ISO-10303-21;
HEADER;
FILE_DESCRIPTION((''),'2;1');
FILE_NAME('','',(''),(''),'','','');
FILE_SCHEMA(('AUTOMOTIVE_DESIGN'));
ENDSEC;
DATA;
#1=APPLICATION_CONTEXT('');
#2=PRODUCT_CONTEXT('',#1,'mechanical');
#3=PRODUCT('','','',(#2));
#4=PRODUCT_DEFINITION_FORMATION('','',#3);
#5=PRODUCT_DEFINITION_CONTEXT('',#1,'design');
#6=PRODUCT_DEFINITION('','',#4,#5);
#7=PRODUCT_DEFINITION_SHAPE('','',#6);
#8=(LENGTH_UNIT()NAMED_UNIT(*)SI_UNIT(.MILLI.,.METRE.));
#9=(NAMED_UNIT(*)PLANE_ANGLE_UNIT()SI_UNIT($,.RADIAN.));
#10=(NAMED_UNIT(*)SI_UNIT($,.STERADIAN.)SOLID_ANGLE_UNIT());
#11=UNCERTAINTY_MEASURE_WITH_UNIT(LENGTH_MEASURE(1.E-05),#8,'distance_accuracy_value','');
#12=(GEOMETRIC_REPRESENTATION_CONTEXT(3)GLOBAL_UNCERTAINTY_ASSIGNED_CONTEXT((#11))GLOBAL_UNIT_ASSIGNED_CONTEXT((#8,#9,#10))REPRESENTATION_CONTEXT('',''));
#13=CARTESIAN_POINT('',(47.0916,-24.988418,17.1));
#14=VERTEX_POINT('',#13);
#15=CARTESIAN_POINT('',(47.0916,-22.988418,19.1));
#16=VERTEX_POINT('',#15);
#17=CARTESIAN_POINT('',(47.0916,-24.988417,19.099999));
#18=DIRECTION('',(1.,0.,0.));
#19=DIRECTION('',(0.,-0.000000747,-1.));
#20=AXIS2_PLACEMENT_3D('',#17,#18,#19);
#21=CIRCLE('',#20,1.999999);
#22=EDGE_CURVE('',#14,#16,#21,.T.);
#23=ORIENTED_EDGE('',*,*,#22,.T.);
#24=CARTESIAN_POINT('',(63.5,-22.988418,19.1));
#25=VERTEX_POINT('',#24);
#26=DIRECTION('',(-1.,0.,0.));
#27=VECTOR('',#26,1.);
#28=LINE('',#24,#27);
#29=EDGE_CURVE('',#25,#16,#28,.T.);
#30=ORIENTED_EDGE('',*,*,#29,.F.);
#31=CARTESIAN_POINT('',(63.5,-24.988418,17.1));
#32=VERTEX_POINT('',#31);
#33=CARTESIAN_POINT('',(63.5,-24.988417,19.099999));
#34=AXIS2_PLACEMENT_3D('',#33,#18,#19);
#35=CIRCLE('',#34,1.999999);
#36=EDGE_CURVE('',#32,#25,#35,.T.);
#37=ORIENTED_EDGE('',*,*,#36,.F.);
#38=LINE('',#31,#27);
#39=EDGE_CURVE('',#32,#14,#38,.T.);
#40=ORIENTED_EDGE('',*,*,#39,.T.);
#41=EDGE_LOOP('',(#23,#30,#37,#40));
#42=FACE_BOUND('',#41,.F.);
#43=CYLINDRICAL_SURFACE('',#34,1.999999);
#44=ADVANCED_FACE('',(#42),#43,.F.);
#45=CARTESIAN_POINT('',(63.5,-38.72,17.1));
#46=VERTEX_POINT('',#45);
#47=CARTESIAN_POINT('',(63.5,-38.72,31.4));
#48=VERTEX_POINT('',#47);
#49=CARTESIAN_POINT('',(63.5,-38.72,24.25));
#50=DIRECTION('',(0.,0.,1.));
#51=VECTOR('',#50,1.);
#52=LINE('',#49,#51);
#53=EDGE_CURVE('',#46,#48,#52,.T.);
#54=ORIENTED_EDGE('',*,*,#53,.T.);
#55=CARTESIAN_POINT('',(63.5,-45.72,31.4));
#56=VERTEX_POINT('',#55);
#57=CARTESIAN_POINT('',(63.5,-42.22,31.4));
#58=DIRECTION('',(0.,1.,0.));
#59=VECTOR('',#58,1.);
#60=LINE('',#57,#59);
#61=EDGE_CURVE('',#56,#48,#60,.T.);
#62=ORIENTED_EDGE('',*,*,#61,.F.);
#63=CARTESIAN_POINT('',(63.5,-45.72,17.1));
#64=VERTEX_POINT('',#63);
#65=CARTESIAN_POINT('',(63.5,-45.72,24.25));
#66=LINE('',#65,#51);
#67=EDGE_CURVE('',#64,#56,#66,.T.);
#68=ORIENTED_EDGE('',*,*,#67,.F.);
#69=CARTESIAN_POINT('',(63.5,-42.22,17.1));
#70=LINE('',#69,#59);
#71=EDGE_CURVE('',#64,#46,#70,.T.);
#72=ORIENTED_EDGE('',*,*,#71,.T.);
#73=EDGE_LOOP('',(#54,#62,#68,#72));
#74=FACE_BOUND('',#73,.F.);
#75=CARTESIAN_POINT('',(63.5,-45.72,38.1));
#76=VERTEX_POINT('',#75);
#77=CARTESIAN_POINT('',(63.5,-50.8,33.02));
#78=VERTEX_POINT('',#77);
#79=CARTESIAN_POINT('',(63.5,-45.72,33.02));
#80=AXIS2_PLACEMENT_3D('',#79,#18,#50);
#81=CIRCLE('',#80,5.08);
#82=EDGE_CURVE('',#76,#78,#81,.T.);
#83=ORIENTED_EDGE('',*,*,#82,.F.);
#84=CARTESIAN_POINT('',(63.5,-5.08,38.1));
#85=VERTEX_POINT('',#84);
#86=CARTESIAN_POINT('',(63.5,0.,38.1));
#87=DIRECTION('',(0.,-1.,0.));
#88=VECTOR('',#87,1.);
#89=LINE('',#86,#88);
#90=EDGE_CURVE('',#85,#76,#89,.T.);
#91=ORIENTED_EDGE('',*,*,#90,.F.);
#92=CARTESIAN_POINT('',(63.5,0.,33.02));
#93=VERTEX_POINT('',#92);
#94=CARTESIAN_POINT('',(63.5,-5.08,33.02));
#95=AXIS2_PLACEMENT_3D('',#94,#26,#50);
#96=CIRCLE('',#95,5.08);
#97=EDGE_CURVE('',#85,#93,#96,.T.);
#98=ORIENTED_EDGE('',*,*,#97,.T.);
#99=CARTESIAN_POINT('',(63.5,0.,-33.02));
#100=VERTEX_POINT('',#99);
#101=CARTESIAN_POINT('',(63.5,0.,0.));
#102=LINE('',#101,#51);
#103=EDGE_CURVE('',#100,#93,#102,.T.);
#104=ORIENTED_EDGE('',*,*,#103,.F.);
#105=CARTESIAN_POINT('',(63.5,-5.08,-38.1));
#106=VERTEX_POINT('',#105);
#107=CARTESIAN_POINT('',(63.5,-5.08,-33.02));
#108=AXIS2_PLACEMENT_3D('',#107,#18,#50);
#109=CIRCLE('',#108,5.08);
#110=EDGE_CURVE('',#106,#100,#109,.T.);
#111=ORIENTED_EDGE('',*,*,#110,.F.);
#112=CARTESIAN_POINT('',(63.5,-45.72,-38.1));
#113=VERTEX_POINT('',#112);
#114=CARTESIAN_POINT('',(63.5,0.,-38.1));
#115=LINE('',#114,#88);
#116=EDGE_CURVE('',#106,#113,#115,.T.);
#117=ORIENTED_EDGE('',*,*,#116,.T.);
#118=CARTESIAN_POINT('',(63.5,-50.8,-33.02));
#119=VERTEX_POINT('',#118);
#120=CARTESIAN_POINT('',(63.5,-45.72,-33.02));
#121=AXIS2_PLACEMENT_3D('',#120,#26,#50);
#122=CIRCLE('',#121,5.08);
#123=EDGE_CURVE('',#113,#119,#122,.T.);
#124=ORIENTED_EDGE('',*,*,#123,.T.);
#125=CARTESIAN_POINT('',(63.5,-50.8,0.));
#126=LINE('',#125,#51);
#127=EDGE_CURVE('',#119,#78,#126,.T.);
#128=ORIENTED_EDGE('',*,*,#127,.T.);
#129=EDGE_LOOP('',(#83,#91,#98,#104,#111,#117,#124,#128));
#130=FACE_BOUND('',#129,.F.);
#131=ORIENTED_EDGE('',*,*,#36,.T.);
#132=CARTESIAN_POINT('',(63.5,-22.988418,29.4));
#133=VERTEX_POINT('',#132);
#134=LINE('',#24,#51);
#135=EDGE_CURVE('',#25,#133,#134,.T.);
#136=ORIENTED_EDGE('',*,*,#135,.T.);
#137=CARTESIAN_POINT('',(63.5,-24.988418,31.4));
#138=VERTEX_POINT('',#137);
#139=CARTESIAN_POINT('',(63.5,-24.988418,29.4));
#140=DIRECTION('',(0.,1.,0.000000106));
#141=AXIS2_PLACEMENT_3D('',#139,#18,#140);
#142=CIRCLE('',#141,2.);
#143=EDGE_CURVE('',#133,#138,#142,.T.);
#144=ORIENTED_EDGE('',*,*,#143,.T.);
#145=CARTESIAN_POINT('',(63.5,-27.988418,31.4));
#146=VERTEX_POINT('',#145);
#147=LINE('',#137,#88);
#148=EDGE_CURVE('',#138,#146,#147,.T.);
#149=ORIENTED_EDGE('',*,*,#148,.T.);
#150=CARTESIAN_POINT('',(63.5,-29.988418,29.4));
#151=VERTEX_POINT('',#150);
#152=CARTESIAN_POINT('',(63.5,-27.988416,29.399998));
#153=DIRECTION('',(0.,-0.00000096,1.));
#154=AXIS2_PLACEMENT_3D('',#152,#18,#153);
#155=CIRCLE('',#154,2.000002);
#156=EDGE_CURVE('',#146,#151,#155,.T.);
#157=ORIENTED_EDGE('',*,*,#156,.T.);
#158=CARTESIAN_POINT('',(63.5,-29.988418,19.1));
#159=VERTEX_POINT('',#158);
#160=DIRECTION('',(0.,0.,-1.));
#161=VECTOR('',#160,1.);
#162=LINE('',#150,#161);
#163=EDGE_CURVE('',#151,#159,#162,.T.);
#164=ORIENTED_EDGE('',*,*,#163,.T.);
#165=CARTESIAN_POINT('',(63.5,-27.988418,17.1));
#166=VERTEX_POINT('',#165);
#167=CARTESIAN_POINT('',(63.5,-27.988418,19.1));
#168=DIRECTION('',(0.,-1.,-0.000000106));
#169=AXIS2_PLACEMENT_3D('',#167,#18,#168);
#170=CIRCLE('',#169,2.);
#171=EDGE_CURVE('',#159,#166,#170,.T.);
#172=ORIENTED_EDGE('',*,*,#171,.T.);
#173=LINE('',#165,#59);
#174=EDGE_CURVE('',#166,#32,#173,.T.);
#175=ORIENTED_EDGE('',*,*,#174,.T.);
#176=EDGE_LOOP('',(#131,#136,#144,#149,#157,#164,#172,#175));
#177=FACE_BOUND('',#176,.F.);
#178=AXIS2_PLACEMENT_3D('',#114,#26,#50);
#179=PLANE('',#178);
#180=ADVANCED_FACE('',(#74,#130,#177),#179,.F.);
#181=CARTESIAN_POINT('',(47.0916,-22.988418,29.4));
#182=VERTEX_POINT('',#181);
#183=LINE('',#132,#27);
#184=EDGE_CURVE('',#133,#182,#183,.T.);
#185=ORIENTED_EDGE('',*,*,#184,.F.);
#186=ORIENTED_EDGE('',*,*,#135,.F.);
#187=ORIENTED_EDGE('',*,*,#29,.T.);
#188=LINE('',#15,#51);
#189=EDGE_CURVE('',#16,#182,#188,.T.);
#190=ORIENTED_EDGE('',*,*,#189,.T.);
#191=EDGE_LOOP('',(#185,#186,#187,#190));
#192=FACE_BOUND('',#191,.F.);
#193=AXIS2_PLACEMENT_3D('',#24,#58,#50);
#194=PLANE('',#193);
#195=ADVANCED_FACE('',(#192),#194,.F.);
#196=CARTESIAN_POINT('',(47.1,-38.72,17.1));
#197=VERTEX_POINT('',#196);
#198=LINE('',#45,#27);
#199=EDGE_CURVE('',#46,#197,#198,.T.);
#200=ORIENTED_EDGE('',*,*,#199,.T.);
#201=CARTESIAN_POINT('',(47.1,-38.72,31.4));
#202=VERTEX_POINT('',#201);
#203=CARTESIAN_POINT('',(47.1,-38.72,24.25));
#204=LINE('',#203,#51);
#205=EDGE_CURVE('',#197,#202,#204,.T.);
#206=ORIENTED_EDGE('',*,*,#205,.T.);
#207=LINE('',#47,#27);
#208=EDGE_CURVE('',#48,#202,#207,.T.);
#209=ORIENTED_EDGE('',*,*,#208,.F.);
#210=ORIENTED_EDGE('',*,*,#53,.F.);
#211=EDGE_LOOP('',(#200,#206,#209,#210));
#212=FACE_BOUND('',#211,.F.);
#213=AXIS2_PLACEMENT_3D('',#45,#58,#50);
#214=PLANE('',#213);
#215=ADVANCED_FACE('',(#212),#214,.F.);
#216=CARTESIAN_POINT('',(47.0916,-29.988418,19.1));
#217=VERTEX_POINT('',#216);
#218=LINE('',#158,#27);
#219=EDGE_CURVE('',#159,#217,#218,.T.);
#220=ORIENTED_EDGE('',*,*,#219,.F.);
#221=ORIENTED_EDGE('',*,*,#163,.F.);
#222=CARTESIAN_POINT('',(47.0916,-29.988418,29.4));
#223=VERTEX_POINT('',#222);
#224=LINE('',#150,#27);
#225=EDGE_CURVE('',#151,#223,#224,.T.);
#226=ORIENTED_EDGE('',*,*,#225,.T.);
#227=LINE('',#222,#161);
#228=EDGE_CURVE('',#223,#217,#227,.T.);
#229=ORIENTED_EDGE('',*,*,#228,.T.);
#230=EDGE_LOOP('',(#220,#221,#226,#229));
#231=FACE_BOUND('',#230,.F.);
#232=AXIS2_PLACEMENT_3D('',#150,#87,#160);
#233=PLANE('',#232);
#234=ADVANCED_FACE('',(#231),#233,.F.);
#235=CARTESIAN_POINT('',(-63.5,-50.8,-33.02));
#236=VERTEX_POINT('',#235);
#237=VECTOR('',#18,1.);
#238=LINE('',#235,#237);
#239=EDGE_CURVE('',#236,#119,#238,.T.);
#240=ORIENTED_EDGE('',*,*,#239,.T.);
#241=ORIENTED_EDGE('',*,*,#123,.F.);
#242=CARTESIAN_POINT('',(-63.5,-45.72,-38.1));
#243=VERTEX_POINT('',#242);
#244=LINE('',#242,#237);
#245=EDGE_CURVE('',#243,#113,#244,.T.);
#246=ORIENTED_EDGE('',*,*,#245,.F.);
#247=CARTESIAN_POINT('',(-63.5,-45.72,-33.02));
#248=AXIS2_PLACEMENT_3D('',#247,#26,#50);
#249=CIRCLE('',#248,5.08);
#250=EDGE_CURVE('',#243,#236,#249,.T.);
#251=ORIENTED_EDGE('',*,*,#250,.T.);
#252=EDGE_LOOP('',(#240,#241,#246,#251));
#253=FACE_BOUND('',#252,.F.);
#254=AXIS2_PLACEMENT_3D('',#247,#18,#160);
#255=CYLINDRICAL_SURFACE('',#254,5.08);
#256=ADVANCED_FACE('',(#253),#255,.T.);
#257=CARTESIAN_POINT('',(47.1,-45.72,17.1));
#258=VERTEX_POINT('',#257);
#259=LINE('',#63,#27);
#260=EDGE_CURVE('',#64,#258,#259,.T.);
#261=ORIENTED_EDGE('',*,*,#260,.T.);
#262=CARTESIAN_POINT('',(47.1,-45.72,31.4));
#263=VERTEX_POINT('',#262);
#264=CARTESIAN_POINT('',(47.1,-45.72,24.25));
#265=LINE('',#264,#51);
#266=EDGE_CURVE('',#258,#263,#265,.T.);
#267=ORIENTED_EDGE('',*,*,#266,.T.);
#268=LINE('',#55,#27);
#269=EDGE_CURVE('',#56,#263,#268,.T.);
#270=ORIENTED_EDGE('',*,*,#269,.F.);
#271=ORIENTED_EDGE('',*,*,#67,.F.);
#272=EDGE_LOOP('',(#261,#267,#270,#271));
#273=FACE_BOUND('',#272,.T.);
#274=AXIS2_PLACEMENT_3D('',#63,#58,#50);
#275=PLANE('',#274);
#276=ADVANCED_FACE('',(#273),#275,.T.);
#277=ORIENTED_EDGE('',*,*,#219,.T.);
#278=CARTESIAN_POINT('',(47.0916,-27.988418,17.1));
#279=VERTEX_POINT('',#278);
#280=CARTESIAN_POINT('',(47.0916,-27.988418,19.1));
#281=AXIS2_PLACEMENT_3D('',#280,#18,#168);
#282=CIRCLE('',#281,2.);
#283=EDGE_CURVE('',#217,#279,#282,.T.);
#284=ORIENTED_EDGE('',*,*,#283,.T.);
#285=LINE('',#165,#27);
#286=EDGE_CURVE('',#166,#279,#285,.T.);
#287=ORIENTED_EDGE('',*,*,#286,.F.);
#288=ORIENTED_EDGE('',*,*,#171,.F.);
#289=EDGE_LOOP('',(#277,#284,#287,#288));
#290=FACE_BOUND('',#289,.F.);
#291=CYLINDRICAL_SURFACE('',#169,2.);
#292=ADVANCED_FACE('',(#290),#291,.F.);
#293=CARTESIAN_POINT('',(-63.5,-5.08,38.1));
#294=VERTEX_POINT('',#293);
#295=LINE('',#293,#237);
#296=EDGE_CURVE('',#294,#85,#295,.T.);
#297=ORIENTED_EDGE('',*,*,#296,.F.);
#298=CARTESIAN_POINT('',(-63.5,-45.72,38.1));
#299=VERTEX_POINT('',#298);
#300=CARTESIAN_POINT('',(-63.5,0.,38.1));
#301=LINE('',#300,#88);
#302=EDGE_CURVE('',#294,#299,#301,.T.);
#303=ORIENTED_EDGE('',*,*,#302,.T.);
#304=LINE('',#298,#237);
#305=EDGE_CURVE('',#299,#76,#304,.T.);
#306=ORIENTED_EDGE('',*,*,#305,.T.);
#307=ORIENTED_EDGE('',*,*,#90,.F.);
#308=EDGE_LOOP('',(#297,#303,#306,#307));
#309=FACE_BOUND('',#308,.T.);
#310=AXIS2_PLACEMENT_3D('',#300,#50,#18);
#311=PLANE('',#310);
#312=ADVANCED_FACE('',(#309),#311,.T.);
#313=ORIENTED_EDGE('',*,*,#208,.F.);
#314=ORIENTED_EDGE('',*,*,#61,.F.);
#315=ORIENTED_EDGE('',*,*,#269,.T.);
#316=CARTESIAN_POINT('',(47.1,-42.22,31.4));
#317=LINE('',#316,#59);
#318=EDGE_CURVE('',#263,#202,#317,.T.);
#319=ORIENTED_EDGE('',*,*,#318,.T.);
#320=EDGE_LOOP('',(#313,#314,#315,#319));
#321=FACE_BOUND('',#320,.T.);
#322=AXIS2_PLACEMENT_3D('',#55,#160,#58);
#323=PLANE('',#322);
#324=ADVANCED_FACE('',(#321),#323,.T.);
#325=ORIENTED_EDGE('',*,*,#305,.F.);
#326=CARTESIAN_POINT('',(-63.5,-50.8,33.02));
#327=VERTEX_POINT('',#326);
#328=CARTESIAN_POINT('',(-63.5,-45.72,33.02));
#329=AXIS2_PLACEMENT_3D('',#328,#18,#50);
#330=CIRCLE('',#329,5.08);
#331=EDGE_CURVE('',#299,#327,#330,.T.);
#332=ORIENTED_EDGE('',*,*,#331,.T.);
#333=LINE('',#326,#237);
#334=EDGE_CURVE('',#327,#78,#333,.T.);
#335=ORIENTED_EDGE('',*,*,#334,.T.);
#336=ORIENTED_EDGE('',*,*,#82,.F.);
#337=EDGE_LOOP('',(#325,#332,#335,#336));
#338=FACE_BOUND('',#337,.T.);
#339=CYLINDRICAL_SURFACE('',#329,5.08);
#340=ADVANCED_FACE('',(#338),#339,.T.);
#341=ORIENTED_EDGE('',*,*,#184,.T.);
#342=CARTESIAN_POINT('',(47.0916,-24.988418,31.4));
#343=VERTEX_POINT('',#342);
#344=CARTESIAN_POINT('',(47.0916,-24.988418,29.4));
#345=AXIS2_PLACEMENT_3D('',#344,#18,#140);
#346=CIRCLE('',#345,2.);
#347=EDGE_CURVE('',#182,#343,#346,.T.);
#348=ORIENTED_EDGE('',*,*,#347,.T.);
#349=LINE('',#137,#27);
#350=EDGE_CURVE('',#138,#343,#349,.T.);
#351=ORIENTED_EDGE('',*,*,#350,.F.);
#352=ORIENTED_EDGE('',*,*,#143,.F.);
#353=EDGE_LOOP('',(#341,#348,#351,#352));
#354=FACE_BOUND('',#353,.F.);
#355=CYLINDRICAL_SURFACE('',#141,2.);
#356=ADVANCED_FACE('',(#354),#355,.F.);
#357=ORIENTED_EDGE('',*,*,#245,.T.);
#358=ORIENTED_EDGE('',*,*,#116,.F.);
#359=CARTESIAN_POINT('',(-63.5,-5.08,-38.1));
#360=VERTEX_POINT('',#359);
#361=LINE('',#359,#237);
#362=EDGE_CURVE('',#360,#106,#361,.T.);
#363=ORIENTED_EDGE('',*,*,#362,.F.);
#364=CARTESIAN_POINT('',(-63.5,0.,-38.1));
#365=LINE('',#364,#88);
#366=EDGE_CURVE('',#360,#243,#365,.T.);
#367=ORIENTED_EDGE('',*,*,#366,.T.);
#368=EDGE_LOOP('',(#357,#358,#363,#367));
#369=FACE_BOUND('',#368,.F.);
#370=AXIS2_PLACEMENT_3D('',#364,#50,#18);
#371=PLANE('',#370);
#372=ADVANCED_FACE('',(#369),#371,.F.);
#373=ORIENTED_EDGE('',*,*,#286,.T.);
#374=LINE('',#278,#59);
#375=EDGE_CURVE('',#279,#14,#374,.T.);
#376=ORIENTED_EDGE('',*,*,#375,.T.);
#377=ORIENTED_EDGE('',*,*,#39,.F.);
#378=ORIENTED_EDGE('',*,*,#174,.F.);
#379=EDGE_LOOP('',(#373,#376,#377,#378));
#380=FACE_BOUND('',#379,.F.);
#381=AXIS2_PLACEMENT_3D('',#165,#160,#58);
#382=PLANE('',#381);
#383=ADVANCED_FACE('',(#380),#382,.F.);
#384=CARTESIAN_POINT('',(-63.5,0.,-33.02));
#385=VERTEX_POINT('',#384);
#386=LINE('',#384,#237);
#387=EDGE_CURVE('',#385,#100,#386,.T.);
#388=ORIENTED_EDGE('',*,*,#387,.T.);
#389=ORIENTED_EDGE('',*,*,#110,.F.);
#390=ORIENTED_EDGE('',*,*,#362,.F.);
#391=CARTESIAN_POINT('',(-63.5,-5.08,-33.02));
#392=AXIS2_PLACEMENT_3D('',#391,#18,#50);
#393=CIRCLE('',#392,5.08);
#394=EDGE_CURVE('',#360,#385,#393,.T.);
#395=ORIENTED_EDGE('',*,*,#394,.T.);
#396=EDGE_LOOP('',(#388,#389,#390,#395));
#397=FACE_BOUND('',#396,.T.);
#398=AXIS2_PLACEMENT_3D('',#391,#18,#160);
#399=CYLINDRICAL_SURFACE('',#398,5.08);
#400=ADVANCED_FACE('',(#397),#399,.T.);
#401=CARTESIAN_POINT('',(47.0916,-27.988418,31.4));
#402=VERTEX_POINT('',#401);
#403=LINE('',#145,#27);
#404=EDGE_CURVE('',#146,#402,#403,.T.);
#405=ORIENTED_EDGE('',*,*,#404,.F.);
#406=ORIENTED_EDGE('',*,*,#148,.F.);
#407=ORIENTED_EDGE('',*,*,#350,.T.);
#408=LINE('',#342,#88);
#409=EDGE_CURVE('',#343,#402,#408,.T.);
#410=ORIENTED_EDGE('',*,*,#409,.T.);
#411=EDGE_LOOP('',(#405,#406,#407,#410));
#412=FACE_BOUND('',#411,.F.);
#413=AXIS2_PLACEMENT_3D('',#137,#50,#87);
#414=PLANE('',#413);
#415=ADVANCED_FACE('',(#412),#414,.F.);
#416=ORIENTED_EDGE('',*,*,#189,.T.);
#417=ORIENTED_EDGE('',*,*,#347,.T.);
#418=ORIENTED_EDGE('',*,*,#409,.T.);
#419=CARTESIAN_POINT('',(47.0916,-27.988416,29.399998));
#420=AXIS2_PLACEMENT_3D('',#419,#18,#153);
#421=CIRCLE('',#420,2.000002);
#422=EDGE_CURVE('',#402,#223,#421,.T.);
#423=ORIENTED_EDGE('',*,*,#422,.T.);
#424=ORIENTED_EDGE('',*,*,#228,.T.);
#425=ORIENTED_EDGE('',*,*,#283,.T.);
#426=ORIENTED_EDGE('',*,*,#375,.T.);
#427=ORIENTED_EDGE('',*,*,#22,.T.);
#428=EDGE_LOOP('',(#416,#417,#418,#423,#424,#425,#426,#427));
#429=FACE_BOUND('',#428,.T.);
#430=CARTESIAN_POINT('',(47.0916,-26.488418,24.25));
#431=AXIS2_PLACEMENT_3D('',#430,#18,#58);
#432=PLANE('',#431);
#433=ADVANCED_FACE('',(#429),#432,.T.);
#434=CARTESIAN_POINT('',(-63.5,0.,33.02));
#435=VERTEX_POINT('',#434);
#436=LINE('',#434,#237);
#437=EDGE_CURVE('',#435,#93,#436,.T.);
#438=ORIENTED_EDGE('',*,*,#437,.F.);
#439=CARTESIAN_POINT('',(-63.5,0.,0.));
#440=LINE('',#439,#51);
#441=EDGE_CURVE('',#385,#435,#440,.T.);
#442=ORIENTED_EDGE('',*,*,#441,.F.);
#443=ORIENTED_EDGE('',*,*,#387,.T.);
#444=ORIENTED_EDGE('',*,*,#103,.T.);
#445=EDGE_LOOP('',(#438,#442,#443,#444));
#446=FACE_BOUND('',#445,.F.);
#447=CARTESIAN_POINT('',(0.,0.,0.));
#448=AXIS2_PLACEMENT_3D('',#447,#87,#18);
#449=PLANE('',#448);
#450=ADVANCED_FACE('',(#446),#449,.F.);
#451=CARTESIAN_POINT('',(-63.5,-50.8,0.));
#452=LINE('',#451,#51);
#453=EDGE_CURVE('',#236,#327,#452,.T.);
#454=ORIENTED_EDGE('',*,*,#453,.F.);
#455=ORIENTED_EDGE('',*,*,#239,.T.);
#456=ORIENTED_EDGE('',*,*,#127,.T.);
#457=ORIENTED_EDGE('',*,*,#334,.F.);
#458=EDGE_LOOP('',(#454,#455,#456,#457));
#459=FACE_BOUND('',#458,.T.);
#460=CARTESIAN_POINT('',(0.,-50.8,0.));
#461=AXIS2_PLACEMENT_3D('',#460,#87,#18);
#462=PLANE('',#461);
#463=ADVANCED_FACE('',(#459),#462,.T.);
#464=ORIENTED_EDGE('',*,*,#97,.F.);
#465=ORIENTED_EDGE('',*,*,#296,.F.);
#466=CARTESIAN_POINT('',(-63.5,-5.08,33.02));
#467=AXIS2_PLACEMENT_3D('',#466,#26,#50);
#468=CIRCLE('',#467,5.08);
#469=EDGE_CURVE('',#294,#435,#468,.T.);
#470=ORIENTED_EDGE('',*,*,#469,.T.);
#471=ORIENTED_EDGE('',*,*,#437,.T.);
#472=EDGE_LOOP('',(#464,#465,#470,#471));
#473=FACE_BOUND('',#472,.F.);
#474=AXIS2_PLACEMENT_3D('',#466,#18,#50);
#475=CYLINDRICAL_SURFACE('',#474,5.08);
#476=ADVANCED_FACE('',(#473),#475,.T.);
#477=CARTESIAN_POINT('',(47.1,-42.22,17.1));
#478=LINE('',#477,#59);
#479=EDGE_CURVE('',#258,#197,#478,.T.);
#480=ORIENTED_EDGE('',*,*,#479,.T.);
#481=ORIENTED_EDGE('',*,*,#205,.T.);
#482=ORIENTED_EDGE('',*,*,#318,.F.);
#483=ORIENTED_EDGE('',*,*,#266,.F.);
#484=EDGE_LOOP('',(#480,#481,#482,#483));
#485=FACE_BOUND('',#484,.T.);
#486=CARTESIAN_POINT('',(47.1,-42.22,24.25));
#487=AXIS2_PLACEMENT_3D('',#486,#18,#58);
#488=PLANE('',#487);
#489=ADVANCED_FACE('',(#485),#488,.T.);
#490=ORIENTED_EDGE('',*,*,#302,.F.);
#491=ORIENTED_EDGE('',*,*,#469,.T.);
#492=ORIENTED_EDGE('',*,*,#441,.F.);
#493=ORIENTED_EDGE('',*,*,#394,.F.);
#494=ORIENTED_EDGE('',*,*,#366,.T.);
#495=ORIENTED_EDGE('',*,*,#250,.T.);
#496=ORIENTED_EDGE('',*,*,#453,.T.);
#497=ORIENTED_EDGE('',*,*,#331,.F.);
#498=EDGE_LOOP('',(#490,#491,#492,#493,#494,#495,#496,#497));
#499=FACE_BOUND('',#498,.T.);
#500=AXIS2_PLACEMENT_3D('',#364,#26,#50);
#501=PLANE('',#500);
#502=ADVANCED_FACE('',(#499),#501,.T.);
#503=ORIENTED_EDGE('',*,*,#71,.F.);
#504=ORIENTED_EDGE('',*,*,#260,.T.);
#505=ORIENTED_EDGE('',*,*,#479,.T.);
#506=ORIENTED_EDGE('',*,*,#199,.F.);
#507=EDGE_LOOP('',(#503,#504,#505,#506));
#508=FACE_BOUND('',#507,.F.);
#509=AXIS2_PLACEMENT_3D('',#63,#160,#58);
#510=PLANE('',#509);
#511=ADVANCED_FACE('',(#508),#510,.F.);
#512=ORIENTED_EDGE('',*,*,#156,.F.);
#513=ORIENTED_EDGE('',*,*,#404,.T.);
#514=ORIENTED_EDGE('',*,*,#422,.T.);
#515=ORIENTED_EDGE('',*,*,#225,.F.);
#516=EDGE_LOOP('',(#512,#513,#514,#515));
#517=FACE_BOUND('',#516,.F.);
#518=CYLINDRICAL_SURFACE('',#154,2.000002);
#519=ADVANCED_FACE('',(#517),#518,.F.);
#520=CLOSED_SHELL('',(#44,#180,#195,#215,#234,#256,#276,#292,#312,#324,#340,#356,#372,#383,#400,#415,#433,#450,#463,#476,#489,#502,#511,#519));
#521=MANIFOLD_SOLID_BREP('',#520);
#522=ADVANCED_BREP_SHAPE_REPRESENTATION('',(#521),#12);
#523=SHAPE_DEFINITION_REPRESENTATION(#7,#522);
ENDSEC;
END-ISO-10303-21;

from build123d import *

# Parameters (mm, degrees)
F0_W     = 127
F0_H     = 76.2
F1_DEPTH = 50.8
F2_R     = 5.08
F3_W     = 7
F3_H     = 14.3
F4_DEPTH = 16.4
F6_DEPTH = 16.4084


with BuildPart() as f1:
    # F0 (on Front) → F1 (new body)
    with BuildSketch(Plane.XZ):
        Rectangle(F0_W, F0_H)
    extrude(amount=F1_DEPTH)

    # F2
    f2_edges = [f1.edges().sort_by_distance(p)[0] for p in [
        (0, -50.8, 38.1),
        (0, 0, 38.1),
        (0, 0, -38.1),
        (0, -50.8, -38.1),
    ]]
    fillet(f2_edges, radius=F2_R)

    # F3 (on face) → F4 (cut)
    with BuildSketch(Plane.YZ.offset(63.5)):
        with Locations((-42.22, 24.25)):
            Rectangle(F3_W, F3_H)
    extrude(amount=-F4_DEPTH, mode=Mode.SUBTRACT)

    # F5 (on face) → F6 (cut)
    with BuildSketch(Plane.YZ.offset(63.5)):
        with BuildLine():
            Line((-24.988418, 31.4), (-27.988418, 31.4))
            ThreePointArc((-27.988418, 31.4), (-29.402631, 30.814213), (-29.988418, 29.4))
            Line((-29.988418, 29.4), (-29.988418, 19.1))
            ThreePointArc((-29.988418, 19.1), (-29.402631, 17.685786), (-27.988418, 17.1))
            Line((-27.988418, 17.1), (-24.988418, 17.1))
            ThreePointArc((-24.988418, 17.1), (-23.574204, 17.685786), (-22.988418, 19.1))
            Line((-22.988418, 19.1), (-22.988418, 29.4))
            ThreePointArc((-22.988418, 29.4), (-23.574204, 30.814213), (-24.988418, 31.4))
        make_face()
    extrude(amount=-F6_DEPTH, mode=Mode.SUBTRACT)


solid = f1.part
